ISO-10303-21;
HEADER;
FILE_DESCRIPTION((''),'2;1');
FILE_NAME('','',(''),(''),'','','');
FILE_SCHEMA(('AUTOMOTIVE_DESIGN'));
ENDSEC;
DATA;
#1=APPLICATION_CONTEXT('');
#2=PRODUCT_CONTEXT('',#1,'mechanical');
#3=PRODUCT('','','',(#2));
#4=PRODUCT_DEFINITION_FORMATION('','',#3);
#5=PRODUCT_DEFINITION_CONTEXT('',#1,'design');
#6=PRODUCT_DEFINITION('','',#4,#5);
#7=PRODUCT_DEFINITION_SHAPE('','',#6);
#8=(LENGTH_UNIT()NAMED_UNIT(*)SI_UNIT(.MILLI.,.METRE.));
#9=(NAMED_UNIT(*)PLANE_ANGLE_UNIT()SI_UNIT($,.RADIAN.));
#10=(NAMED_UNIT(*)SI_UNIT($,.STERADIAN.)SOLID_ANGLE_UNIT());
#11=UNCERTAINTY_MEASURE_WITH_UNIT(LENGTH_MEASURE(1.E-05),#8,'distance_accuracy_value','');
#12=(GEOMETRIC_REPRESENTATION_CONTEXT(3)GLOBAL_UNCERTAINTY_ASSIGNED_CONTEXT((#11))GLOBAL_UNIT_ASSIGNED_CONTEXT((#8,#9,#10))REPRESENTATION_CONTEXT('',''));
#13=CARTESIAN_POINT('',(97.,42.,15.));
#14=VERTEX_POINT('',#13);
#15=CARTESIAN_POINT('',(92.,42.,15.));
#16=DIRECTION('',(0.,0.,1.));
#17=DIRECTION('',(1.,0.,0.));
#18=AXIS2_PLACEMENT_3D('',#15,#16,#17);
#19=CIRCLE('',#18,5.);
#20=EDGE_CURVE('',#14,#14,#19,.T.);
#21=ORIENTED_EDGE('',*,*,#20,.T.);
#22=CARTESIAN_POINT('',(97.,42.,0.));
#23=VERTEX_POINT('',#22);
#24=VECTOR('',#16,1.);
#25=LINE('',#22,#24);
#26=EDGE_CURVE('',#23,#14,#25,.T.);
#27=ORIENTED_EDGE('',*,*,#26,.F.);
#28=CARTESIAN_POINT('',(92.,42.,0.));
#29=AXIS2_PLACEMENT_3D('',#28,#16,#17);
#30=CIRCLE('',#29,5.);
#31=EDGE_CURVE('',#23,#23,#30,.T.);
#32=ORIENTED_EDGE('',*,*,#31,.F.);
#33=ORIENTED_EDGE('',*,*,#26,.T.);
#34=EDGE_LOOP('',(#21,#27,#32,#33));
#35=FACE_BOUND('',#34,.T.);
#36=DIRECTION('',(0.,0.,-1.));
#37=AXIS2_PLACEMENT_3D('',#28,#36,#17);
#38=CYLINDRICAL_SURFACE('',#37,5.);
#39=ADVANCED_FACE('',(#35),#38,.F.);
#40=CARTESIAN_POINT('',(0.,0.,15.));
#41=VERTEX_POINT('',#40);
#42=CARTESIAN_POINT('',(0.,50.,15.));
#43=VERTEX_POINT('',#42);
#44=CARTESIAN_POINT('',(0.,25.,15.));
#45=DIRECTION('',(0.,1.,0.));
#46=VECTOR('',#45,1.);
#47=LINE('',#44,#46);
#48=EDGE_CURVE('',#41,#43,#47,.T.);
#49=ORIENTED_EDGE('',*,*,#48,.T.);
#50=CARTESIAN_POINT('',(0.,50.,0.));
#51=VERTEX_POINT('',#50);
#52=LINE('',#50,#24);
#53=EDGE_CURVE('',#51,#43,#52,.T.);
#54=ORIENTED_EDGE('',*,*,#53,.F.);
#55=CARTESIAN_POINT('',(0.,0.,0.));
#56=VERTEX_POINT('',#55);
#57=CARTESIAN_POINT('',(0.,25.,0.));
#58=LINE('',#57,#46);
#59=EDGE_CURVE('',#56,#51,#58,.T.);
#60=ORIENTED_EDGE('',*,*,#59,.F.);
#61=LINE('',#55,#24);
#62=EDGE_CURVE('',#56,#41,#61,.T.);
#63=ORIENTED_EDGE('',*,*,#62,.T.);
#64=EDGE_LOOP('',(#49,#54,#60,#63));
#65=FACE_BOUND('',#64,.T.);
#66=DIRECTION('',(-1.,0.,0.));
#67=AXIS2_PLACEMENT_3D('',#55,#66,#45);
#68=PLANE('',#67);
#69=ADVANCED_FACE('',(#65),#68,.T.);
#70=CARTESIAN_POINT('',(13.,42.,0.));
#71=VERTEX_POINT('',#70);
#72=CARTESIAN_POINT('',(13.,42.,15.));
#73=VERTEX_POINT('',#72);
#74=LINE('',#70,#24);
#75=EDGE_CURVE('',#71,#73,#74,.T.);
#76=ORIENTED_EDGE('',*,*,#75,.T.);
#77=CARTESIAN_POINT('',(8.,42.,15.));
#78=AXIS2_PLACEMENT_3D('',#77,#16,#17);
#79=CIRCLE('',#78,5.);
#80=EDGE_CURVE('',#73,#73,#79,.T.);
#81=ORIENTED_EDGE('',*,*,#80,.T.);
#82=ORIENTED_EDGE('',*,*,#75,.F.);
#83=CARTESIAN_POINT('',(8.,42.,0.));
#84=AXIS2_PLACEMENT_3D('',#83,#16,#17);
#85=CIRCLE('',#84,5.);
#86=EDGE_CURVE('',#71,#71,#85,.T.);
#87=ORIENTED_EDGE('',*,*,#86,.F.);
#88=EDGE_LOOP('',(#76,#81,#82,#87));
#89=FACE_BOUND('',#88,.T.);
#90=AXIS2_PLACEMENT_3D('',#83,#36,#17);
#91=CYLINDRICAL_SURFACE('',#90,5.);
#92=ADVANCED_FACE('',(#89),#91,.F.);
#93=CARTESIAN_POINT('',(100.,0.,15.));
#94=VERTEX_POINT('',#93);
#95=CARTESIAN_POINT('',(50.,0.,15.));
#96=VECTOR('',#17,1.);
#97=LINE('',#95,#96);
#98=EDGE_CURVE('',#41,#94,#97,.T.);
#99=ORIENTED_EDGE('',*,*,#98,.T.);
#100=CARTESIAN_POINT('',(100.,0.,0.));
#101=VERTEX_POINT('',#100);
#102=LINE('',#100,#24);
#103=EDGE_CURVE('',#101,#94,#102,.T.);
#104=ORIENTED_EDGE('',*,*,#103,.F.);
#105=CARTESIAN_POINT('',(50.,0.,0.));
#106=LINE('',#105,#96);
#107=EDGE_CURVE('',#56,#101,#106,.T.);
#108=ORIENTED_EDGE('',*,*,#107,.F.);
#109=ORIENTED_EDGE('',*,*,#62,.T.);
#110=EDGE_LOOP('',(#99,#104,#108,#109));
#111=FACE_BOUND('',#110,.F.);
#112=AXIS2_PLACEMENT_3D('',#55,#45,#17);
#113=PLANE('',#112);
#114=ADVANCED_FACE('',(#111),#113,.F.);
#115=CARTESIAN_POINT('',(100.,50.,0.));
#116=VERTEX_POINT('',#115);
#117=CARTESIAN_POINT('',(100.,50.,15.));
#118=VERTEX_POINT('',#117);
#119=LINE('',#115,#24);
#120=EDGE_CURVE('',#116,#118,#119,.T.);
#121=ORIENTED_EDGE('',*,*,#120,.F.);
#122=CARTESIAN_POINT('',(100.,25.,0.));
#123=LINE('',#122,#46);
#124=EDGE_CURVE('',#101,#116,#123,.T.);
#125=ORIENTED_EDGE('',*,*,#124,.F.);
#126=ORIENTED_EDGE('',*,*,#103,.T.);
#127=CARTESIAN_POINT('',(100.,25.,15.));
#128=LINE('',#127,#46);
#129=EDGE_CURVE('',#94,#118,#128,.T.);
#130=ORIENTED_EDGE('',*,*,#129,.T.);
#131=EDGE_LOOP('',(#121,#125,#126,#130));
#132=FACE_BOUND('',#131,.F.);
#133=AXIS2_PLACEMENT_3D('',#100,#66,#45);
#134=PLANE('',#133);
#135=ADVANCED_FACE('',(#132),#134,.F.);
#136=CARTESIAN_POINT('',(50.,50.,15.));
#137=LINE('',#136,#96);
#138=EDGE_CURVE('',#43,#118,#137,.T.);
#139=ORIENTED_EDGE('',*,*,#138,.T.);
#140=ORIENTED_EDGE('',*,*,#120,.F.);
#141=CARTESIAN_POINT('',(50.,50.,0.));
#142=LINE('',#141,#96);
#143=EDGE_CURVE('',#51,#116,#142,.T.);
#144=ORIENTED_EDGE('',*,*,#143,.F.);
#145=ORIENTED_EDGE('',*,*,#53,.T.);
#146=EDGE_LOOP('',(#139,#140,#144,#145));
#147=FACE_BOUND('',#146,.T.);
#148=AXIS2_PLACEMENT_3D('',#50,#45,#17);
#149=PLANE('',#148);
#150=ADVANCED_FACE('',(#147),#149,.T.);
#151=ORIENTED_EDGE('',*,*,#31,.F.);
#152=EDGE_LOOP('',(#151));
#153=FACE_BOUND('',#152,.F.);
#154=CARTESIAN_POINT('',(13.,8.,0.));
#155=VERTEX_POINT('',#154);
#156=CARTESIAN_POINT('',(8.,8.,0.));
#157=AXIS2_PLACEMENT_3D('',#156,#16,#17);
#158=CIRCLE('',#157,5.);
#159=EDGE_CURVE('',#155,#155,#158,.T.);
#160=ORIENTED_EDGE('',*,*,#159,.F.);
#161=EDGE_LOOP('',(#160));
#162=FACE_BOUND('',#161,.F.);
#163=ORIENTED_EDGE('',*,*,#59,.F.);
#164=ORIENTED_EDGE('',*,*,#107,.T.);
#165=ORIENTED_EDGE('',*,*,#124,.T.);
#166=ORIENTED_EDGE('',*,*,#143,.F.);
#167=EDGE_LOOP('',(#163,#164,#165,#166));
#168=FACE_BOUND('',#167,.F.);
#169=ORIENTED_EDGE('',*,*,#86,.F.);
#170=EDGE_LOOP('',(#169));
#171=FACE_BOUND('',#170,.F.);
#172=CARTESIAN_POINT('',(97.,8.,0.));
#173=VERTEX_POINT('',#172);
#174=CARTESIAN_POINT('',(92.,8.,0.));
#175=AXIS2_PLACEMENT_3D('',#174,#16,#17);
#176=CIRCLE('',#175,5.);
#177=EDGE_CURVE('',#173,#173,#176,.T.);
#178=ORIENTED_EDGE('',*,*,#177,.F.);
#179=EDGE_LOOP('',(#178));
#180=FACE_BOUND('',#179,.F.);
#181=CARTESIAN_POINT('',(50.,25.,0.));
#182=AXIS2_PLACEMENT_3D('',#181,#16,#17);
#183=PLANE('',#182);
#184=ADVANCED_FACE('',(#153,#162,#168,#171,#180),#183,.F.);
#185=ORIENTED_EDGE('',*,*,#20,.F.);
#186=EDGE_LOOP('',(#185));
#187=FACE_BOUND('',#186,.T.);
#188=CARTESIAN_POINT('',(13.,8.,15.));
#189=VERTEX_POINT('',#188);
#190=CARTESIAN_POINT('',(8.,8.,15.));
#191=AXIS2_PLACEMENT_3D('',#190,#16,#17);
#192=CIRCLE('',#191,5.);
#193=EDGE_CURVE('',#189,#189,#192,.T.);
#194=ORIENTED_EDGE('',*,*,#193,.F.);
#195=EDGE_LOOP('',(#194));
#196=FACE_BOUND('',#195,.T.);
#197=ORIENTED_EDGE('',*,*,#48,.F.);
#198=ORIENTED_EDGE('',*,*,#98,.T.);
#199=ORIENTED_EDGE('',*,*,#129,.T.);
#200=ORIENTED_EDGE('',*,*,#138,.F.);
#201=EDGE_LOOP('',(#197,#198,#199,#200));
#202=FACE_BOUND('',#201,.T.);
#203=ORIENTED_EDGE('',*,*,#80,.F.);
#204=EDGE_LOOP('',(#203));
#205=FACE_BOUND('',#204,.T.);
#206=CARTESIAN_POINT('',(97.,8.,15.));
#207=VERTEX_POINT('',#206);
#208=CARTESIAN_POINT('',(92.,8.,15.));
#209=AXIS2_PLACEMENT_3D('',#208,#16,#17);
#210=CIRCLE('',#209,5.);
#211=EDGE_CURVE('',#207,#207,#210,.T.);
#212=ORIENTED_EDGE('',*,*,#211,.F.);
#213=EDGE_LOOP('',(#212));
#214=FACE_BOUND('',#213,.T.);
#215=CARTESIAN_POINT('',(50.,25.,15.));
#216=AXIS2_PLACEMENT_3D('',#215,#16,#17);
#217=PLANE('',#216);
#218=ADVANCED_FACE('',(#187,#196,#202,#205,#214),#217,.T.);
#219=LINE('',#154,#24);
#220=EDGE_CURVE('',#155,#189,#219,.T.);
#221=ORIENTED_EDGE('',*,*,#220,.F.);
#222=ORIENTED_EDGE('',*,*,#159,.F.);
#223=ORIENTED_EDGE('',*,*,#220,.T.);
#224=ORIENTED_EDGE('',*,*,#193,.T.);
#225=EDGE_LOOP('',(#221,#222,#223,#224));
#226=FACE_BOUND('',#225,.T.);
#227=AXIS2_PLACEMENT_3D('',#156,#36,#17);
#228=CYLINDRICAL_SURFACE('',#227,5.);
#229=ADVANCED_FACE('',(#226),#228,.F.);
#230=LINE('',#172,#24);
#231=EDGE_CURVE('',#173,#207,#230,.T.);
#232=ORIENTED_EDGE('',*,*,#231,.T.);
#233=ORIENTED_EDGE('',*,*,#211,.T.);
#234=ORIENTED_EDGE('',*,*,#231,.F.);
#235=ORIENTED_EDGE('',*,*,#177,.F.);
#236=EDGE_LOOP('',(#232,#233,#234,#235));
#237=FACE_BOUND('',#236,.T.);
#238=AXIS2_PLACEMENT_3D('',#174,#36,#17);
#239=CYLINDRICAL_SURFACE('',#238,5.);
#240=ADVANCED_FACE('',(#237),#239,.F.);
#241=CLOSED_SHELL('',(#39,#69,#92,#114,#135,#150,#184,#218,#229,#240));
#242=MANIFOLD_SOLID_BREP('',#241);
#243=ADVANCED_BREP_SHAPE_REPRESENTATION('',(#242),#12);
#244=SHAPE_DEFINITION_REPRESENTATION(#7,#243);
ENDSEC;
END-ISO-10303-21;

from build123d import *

# Parameters (mm, degrees)
SKETCH001_W  = 100
SKETCH001_H  = 50
SKETCH001_R  = 5
PAD_DEPTH    = 15
PAD001_DEPTH = 15


with BuildPart() as part:
    # Sketch001 → Pad (new body)
    with BuildSketch(Plane.XY):
        with Locations((50, 25)):
            Rectangle(SKETCH001_W, SKETCH001_H)
        with Locations((92, 42)):
            Circle(SKETCH001_R, mode=Mode.SUBTRACT)
        with Locations((8, 42)):
            Circle(SKETCH001_R, mode=Mode.SUBTRACT)
        with Locations((92, 8)):
            Circle(SKETCH001_R, mode=Mode.SUBTRACT)
        with Locations((8, 8)):
            Circle(SKETCH001_R, mode=Mode.SUBTRACT)
    extrude(amount=PAD_DEPTH)

    # Sketch001 → Pad001 (join)
    with BuildSketch(Plane.XY):
        with Locations((50, 25)):
            Rectangle(SKETCH001_W, SKETCH001_H)
        with Locations((92, 42)):
            Circle(SKETCH001_R, mode=Mode.SUBTRACT)
        with Locations((8, 42)):
            Circle(SKETCH001_R, mode=Mode.SUBTRACT)
        with Locations((92, 8)):
            Circle(SKETCH001_R, mode=Mode.SUBTRACT)
        with Locations((8, 8)):
            Circle(SKETCH001_R, mode=Mode.SUBTRACT)
    extrude(amount=PAD001_DEPTH)


solid = part.part
